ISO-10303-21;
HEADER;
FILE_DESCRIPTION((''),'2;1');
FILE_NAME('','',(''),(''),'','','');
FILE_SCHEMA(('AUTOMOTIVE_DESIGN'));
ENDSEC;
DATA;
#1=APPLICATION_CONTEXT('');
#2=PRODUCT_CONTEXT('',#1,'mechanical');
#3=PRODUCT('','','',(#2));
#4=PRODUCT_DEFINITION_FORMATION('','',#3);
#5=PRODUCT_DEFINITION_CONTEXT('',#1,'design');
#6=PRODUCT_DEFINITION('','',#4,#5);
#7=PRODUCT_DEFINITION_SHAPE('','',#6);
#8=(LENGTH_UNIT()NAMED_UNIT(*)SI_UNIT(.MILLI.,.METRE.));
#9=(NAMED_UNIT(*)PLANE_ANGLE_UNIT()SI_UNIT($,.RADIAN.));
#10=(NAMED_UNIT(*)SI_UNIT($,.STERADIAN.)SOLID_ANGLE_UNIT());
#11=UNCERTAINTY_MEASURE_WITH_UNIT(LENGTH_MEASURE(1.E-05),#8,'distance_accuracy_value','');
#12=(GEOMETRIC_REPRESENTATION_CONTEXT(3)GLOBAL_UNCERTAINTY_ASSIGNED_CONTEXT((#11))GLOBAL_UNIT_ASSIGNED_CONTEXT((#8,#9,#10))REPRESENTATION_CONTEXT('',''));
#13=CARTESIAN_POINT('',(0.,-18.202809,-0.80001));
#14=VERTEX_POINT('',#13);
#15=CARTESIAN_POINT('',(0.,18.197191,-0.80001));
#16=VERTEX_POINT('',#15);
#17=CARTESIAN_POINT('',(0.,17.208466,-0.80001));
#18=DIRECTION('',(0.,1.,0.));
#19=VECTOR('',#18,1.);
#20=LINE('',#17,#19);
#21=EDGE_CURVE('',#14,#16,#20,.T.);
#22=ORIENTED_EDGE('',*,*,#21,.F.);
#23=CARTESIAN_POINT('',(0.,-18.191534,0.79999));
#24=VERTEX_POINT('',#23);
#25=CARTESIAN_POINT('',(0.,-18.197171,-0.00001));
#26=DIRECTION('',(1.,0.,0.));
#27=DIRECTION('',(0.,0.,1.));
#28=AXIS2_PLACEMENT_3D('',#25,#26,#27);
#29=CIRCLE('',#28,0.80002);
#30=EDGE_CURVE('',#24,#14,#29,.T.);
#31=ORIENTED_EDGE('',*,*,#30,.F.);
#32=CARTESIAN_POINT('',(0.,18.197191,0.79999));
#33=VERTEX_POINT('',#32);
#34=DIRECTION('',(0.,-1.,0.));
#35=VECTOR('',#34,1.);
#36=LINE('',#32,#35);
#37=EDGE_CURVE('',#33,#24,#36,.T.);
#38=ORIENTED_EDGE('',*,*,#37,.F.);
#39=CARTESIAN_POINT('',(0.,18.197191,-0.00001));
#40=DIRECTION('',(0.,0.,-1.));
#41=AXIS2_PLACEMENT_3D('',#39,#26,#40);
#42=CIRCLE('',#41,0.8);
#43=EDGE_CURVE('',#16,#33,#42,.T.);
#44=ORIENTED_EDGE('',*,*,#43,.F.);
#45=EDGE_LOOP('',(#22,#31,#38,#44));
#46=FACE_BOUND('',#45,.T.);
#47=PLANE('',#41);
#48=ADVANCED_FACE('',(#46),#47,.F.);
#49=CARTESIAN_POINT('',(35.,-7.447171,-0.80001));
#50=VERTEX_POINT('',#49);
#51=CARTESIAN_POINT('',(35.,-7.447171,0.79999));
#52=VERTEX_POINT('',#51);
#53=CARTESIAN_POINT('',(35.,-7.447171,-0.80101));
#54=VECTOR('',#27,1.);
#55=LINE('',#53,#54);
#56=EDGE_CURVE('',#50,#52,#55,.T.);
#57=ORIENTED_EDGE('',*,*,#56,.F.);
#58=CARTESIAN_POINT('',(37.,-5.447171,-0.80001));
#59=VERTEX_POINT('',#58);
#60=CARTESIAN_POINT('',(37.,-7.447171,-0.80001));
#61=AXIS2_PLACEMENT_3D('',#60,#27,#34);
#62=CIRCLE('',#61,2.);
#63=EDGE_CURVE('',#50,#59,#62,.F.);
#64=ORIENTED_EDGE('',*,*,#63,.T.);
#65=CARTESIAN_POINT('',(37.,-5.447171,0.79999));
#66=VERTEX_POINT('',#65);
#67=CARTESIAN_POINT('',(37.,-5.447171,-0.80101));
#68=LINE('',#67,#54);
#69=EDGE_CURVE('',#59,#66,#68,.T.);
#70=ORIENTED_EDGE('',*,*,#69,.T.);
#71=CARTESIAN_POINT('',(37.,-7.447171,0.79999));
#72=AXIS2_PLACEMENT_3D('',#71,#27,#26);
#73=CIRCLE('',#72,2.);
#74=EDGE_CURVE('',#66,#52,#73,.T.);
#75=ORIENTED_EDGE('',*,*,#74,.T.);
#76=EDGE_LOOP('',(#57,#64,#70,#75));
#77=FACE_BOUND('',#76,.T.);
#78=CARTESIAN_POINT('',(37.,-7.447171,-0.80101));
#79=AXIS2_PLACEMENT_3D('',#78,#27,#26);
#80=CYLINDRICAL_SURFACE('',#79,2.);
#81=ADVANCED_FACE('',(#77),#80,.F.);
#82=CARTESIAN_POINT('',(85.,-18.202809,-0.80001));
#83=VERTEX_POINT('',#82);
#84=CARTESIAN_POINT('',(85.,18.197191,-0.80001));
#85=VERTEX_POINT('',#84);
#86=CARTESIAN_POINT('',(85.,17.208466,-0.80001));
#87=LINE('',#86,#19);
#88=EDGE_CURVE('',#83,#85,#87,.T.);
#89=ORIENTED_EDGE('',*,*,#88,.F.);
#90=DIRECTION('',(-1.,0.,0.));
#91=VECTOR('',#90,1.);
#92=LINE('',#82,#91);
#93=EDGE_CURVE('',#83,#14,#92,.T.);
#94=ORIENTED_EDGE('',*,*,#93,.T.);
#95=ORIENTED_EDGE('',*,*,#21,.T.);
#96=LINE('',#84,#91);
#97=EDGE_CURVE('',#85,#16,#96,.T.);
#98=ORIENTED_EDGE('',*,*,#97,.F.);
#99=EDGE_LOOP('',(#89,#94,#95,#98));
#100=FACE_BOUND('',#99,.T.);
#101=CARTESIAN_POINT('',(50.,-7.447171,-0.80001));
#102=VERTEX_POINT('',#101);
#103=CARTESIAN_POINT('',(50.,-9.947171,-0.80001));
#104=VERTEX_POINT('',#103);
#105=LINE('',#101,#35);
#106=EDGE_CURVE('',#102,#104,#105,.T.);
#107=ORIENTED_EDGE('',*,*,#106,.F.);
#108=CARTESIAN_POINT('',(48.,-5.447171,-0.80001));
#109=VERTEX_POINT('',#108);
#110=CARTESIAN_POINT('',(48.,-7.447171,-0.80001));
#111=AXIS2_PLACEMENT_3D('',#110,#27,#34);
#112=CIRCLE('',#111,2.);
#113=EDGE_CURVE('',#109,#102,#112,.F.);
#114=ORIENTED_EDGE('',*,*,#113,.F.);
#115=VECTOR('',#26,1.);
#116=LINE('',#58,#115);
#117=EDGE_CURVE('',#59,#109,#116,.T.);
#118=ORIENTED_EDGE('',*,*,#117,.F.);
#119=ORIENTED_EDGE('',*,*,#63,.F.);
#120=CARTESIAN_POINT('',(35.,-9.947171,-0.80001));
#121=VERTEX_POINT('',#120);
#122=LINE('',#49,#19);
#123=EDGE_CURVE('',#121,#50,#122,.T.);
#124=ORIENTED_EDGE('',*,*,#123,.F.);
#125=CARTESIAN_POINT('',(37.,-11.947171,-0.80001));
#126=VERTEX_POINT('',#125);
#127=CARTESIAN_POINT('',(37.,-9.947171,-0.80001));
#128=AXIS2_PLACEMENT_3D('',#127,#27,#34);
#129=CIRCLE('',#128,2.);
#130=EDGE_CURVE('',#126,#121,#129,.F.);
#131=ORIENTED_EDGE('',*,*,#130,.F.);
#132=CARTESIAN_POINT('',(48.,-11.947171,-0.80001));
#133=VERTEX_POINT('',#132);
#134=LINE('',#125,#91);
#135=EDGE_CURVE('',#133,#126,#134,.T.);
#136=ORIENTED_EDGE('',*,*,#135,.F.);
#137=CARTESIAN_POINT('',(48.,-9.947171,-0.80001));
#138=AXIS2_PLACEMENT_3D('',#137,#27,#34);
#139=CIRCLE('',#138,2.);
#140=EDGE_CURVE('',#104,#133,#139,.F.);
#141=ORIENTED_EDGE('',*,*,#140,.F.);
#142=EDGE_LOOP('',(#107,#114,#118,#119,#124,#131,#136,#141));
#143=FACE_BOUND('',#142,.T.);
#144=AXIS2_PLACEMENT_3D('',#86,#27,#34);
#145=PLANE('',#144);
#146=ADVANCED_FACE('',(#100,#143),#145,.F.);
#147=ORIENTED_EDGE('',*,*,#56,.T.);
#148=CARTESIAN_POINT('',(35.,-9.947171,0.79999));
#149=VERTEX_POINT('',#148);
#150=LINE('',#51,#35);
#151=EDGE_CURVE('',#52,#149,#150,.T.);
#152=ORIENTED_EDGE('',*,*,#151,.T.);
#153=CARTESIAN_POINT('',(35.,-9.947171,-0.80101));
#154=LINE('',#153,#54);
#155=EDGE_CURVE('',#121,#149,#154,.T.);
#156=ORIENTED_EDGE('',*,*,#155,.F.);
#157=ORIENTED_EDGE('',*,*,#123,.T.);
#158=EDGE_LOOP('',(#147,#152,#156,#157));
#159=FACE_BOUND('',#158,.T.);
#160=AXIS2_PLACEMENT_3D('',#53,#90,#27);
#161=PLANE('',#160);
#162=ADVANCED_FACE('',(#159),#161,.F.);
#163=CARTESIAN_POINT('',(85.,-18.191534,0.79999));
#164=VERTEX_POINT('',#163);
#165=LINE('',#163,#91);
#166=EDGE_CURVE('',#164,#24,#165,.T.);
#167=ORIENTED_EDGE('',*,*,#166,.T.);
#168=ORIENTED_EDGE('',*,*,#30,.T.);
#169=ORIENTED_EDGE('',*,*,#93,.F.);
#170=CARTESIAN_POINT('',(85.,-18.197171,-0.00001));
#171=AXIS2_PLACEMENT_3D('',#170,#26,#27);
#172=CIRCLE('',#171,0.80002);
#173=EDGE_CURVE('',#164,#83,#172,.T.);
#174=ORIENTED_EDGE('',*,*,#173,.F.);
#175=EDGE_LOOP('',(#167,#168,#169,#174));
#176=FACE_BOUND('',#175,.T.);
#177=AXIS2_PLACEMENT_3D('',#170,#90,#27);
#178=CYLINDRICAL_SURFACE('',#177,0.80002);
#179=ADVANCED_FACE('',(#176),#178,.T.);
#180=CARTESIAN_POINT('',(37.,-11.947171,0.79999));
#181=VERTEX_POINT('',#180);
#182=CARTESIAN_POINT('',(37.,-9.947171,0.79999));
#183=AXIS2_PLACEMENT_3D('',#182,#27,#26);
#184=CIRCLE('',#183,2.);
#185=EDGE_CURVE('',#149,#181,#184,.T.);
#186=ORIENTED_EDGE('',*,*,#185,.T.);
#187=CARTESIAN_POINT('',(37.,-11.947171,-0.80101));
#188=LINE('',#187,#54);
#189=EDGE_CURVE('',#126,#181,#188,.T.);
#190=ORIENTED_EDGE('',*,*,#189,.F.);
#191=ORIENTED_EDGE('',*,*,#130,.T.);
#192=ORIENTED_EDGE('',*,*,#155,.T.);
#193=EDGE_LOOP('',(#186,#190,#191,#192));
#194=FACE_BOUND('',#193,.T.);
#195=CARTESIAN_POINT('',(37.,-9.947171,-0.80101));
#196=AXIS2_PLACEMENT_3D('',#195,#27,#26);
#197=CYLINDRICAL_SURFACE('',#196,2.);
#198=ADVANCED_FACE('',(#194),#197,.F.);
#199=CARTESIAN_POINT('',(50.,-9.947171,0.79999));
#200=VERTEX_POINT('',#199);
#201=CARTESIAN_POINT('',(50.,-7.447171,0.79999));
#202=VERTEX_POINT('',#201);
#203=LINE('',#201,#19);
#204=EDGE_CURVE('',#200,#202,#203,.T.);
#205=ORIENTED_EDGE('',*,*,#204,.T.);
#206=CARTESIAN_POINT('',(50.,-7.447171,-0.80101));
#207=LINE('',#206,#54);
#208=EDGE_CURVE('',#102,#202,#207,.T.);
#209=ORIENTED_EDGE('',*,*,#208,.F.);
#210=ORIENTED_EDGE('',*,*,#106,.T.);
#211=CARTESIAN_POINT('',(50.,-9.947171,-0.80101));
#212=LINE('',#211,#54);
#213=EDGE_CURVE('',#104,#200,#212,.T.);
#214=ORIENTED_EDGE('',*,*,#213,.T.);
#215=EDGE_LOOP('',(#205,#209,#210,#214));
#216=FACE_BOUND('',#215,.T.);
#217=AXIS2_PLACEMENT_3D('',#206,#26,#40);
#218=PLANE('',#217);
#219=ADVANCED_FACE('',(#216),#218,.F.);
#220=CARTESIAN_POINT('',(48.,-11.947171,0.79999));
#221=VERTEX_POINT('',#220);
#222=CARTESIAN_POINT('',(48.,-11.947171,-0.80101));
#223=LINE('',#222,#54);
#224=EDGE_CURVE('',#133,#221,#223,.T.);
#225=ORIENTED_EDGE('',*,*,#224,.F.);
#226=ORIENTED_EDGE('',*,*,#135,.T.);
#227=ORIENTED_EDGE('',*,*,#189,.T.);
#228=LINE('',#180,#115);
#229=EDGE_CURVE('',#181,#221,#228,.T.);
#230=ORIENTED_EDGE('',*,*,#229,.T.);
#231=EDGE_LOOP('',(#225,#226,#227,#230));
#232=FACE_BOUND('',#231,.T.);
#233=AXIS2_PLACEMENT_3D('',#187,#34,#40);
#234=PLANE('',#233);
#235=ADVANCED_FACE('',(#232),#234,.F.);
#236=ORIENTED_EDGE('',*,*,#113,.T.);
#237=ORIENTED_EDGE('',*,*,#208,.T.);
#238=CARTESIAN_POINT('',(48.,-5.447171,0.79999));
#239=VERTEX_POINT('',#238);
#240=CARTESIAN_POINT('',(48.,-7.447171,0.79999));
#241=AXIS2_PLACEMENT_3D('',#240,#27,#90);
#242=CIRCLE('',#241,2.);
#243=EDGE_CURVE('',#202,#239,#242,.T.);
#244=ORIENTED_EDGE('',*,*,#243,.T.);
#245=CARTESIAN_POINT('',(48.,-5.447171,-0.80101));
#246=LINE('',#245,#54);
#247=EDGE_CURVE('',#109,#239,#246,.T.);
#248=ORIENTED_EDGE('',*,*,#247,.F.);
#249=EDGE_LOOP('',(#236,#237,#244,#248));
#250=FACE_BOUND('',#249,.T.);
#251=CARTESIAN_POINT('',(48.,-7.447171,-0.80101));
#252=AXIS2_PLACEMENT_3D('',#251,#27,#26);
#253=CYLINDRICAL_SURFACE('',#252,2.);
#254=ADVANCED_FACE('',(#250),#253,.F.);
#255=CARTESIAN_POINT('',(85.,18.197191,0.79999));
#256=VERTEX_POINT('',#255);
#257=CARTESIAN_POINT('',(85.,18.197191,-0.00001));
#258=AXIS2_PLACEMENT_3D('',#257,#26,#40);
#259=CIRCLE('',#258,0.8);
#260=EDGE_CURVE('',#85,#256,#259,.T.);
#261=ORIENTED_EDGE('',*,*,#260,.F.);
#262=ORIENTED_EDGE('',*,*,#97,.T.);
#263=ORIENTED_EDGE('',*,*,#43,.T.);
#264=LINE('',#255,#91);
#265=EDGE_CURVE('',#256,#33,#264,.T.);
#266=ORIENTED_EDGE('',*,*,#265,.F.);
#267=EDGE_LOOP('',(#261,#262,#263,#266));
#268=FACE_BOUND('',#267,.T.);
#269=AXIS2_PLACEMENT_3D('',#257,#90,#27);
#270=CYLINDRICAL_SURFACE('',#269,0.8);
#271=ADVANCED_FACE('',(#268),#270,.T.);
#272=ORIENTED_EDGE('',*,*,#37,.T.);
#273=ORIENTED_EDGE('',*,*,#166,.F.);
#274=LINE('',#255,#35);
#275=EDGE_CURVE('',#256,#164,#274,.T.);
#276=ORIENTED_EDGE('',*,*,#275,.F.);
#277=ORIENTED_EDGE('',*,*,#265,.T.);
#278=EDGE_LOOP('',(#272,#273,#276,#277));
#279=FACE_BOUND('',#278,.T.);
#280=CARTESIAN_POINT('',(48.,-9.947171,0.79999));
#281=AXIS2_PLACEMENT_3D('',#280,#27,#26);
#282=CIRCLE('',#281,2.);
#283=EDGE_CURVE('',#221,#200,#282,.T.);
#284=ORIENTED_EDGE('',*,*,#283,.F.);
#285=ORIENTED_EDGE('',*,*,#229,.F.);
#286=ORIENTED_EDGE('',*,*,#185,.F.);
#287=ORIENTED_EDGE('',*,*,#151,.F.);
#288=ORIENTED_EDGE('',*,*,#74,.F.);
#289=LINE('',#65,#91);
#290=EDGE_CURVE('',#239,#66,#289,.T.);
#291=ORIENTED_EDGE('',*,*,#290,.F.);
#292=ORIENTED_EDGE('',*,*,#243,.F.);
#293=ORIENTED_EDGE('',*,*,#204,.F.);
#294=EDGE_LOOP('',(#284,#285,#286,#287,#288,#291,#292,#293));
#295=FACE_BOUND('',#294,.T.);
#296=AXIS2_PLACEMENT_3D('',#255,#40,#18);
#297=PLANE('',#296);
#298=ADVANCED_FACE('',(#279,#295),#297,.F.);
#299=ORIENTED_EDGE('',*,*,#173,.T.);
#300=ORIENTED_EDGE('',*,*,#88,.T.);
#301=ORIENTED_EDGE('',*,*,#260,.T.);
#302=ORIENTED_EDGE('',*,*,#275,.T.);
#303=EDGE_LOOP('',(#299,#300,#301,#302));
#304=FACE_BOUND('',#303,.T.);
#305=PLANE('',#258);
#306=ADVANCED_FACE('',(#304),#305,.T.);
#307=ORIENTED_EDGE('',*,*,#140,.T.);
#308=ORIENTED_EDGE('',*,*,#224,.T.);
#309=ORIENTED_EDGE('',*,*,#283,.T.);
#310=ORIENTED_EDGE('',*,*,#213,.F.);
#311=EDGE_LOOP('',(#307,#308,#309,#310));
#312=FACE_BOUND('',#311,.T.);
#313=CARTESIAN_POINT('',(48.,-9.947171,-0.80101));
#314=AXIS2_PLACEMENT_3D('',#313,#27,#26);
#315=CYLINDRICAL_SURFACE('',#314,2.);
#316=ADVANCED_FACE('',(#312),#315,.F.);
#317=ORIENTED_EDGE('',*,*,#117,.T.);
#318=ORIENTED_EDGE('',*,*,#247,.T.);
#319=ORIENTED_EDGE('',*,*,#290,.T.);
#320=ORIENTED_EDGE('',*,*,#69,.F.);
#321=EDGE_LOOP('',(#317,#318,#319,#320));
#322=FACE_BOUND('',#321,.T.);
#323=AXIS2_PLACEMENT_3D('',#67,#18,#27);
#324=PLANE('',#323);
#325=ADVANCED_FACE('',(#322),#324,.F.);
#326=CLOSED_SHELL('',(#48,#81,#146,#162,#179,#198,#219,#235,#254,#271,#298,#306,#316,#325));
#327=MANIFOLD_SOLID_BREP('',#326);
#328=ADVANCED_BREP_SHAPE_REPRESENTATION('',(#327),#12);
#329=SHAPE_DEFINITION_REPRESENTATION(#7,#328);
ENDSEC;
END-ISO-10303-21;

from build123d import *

# Parameters (mm, degrees)
BOSS_EXTRUDE1_DEPTH = 85
CUT_EXTRUDE1_REACH  = 3.6


with BuildPart() as part:
    # Sketch1 → Boss-Extrude1 (new body)
    with BuildSketch(Plane(origin=(0, 0, 0), x_dir=(0, 0, -1), z_dir=(1, 0, 0))):
        with BuildLine():
            Line((0.800009932, 17.208466352), (0.800009932, -18.202808875))
            ThreePointArc((0.800009932, -18.202808875), (-0.005627681, -18.997171261), (-0.799990068, -18.191533648))
            Line((-0.799990068, -18.191533648), (-0.799990068, 18.197191125))
            ThreePointArc((-0.799990068, 18.197191125), (9.932e-06, 18.997191125), (0.800009932, 18.197191125))
            Line((0.800009932, 18.197191125), (0.800009932, 17.208466352))
        make_face()
    extrude(amount=BOSS_EXTRUDE1_DEPTH)

    # Sketch2 → Cut-Extrude1 (cut, up to next)
    with BuildSketch(Plane.XY.offset(0.799990068), mode=Mode.PRIVATE) as cut_extrude1_sk1:
        with BuildLine():
            Line((37, -5.447171261), (48, -5.447171261))
            ThreePointArc((48, -5.447171261), (49.414213562, -6.032957699), (50, -7.447171261))
            Line((50, -7.447171261), (50, -9.947171261))
            ThreePointArc((50, -9.947171261), (49.414213562, -11.361384824), (48, -11.947171261))
            Line((48, -11.947171261), (37, -11.947171261))
            ThreePointArc((37, -11.947171261), (35.585786438, -11.361384824), (35, -9.947171261))
            Line((35, -9.947171261), (35, -7.447171261))
            ThreePointArc((35, -7.447171261), (35.585786438, -6.032957699), (37, -5.447171261))
        make_face()
    cut_extrude1_tool1 = extrude(cut_extrude1_sk1.sketch, amount=-CUT_EXTRUDE1_REACH, mode=Mode.PRIVATE) & part.part
    add(cut_extrude1_tool1.solids().sort_by_distance((42.5, -8.697171, 0.79999))[0], mode=Mode.SUBTRACT)


solid = part.part
